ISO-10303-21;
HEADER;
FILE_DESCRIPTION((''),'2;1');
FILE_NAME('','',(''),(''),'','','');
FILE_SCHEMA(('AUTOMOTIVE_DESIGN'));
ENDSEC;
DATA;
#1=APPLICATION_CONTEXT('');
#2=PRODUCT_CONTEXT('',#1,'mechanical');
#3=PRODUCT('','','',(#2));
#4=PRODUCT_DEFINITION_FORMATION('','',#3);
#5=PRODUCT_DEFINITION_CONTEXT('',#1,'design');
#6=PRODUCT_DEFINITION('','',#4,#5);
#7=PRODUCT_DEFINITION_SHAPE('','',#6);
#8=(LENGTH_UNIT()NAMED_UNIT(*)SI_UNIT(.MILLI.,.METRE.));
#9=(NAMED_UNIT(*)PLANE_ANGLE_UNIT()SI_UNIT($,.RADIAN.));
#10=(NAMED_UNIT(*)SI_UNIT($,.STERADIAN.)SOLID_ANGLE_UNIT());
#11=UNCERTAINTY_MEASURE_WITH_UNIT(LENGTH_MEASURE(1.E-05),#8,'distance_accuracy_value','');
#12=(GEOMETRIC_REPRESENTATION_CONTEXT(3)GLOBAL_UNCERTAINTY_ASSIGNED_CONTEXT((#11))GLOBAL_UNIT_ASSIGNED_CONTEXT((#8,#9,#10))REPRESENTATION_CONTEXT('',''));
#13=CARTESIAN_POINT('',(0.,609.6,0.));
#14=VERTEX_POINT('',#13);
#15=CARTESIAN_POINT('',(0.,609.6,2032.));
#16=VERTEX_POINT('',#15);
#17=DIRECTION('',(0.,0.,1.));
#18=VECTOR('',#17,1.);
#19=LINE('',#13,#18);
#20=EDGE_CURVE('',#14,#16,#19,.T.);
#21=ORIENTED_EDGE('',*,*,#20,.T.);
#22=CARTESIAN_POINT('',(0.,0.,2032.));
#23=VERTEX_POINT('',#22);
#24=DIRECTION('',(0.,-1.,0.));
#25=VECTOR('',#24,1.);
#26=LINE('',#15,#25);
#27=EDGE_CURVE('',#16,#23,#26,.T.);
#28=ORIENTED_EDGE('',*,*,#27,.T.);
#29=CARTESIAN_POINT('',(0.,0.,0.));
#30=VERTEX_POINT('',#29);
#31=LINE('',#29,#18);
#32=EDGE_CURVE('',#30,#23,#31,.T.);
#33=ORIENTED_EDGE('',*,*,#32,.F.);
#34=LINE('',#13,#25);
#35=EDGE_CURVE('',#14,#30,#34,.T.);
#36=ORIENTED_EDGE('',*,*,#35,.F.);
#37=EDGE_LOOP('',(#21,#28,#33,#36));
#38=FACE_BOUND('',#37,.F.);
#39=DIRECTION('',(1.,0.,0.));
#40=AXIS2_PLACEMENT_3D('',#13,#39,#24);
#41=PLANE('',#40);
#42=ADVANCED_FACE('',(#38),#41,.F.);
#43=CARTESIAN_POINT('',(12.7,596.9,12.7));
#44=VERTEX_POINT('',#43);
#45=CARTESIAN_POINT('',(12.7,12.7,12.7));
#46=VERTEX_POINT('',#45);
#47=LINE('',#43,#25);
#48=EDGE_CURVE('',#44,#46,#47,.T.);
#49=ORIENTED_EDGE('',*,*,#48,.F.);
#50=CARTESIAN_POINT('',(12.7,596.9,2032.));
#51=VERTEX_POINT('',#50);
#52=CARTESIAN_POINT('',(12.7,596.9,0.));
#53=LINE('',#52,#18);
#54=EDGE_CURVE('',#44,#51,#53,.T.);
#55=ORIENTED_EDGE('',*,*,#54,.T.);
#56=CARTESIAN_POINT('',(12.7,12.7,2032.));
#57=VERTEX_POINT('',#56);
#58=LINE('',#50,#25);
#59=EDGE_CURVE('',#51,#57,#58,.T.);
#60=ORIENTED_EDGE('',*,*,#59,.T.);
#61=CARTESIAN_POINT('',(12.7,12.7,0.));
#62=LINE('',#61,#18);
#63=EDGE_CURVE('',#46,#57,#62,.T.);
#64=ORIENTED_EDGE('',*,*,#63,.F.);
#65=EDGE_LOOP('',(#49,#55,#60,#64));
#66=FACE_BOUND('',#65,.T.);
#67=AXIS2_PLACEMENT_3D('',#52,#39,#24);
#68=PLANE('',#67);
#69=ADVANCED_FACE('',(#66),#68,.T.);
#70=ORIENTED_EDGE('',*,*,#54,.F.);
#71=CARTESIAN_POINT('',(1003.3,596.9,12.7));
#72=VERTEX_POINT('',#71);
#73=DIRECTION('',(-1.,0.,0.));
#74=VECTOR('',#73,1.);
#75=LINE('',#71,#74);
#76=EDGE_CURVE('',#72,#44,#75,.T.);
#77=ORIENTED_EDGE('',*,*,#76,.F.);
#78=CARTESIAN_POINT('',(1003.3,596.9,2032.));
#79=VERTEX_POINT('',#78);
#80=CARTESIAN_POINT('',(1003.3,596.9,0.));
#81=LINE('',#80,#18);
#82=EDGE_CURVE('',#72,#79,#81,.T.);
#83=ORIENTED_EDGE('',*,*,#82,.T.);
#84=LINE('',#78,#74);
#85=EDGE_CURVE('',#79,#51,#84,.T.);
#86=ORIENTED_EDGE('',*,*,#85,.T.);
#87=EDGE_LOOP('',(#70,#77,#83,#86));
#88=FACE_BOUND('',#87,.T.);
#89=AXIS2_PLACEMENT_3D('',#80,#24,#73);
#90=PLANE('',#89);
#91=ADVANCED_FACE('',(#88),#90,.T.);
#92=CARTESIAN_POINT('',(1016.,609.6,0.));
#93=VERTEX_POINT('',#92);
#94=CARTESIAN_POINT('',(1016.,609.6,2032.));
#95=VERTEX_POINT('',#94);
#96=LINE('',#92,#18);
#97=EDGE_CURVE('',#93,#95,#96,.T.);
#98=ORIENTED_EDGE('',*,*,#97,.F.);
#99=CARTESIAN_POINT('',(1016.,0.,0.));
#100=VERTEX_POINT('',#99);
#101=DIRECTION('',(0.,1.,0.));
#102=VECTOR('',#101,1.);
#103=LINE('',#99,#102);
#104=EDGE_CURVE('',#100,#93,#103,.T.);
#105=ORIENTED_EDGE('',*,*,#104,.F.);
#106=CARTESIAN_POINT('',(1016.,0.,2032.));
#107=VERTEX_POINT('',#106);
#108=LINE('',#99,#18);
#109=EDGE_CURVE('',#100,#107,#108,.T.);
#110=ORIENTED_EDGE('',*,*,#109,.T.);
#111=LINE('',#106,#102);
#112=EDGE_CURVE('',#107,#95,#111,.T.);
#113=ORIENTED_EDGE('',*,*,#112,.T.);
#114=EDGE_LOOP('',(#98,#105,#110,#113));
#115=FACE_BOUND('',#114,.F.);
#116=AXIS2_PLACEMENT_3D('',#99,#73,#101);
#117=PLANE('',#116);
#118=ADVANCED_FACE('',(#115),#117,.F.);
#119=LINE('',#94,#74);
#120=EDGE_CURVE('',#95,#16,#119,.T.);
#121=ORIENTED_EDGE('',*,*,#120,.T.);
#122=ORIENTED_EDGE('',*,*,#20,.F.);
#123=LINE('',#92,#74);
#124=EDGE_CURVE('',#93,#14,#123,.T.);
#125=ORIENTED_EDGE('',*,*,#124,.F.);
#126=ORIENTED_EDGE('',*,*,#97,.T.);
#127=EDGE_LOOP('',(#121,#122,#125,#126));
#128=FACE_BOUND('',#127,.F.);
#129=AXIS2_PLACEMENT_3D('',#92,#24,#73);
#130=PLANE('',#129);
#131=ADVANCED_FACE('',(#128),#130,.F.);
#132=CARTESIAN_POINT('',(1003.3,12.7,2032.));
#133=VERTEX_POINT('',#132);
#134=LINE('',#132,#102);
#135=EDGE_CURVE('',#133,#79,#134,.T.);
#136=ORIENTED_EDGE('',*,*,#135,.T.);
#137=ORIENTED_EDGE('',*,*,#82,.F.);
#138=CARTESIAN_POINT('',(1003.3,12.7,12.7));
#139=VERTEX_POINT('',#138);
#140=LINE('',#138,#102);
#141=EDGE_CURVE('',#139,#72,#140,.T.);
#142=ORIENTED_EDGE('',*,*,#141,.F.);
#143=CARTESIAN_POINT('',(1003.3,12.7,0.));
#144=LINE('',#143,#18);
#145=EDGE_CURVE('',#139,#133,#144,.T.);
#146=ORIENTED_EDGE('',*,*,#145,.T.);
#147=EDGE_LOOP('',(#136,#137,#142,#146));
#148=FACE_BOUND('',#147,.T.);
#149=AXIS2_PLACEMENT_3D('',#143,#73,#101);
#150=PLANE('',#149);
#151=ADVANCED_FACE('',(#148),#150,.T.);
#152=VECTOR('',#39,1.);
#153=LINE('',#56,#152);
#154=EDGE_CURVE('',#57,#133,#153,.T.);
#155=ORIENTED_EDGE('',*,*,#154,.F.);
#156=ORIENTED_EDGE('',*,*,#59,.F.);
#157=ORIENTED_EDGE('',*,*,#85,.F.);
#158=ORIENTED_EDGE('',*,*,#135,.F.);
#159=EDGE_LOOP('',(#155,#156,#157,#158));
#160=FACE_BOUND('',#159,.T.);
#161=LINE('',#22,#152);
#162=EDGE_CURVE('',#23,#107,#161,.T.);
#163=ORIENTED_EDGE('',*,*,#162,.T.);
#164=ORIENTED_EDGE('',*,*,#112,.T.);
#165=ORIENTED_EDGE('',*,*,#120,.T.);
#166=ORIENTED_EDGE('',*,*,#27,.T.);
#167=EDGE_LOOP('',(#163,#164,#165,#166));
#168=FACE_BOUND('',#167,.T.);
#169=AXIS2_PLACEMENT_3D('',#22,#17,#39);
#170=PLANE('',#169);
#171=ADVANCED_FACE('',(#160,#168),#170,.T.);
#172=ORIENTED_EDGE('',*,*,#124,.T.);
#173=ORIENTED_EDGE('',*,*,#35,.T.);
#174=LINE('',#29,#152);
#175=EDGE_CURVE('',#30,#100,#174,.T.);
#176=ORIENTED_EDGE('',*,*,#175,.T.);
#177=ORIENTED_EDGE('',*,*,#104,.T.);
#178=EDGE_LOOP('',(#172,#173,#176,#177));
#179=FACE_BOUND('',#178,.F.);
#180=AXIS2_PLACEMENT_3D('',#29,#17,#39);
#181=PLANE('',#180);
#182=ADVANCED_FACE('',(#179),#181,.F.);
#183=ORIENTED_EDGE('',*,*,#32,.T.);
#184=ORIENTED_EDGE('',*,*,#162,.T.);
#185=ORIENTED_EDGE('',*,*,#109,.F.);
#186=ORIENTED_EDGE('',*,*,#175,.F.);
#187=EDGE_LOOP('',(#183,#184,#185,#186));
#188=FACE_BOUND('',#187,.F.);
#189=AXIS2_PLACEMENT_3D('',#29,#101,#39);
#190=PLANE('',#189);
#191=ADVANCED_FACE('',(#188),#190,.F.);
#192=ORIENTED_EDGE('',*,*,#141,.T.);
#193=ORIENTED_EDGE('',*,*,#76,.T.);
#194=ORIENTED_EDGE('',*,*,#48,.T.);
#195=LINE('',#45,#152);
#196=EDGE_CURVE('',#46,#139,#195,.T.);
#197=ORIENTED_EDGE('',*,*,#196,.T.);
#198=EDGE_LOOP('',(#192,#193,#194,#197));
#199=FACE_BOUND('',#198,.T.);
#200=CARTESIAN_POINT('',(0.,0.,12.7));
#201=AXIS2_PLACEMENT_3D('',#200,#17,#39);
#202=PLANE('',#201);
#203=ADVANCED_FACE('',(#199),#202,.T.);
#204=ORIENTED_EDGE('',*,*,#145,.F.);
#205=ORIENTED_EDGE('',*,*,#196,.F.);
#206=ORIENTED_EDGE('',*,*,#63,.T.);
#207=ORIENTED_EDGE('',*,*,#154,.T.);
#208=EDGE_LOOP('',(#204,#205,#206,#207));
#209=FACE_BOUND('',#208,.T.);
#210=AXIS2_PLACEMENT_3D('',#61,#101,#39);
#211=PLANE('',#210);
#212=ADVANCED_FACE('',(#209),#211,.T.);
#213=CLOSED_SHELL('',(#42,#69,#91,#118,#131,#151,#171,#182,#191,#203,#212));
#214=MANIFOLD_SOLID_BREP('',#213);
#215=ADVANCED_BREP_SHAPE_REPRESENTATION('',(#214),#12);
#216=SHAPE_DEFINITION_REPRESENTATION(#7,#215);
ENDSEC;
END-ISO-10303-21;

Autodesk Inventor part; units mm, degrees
ref_plane "YZ Plane" through (0, 0, 0) normal (1, 0, 0) x (0, 1, 0)
ref_plane "XZ Plane" through (0, 0, 0) normal (0, 1, 0) x (-1, 0, 0)
sketch "Sketch1" plane through (0, 0, 0) normal (0, 0, 1) x (1, 0, 0)
  line L0 (0, 0) -> (1016, 0)
  line L1 (1016, 0) -> (1016, 609.6)
  line L2 (1016, 609.6) -> (0, 609.6)
  line L3 (0, 609.6) -> (0, 0)
  line L4 (12.7, 12.7) -> (1003.3, 12.7)
  line L5 (1003.3, 12.7) -> (1003.3, 596.9)
  line L6 (1003.3, 596.9) -> (12.7, 596.9)
  line L7 (12.7, 596.9) -> (12.7, 12.7)
  dimension "d0" = 609.6
  dimension "d1" = 1016
  dimension "d2" = 12.7
  dimension "d3" = 12.7
  dimension "d4" = 12.7
  dimension "d5" = 12.7
extrude "Extrusion1" add sketch "Sketch1" along normal blind 2032
extrude "Extrusion2" add sketch "Sketch1" along normal blind 12.7 contours L7 L6 L5 L4
ref_plane "Work Plane1" through (0, 304.8, 0) normal (0, -1, 0) x (1, 0, 0)
equation "\"d0\" = length"
equation "\"d1\" = width"
equation "\"d2\" = thickness"
equation "\"d3\" = thickness"
equation "\"d4\" = thickness"
equation "\"d5\" = thickness"
equation "\"d6\" = height"
equation "\"d8\" = thickness"
equation "\"length\" = 609.6"
equation "\"width\" = 1016"
equation "\"height\" = 2032"
equation "\"thickness\" = 12.7"
properties part number "box"
